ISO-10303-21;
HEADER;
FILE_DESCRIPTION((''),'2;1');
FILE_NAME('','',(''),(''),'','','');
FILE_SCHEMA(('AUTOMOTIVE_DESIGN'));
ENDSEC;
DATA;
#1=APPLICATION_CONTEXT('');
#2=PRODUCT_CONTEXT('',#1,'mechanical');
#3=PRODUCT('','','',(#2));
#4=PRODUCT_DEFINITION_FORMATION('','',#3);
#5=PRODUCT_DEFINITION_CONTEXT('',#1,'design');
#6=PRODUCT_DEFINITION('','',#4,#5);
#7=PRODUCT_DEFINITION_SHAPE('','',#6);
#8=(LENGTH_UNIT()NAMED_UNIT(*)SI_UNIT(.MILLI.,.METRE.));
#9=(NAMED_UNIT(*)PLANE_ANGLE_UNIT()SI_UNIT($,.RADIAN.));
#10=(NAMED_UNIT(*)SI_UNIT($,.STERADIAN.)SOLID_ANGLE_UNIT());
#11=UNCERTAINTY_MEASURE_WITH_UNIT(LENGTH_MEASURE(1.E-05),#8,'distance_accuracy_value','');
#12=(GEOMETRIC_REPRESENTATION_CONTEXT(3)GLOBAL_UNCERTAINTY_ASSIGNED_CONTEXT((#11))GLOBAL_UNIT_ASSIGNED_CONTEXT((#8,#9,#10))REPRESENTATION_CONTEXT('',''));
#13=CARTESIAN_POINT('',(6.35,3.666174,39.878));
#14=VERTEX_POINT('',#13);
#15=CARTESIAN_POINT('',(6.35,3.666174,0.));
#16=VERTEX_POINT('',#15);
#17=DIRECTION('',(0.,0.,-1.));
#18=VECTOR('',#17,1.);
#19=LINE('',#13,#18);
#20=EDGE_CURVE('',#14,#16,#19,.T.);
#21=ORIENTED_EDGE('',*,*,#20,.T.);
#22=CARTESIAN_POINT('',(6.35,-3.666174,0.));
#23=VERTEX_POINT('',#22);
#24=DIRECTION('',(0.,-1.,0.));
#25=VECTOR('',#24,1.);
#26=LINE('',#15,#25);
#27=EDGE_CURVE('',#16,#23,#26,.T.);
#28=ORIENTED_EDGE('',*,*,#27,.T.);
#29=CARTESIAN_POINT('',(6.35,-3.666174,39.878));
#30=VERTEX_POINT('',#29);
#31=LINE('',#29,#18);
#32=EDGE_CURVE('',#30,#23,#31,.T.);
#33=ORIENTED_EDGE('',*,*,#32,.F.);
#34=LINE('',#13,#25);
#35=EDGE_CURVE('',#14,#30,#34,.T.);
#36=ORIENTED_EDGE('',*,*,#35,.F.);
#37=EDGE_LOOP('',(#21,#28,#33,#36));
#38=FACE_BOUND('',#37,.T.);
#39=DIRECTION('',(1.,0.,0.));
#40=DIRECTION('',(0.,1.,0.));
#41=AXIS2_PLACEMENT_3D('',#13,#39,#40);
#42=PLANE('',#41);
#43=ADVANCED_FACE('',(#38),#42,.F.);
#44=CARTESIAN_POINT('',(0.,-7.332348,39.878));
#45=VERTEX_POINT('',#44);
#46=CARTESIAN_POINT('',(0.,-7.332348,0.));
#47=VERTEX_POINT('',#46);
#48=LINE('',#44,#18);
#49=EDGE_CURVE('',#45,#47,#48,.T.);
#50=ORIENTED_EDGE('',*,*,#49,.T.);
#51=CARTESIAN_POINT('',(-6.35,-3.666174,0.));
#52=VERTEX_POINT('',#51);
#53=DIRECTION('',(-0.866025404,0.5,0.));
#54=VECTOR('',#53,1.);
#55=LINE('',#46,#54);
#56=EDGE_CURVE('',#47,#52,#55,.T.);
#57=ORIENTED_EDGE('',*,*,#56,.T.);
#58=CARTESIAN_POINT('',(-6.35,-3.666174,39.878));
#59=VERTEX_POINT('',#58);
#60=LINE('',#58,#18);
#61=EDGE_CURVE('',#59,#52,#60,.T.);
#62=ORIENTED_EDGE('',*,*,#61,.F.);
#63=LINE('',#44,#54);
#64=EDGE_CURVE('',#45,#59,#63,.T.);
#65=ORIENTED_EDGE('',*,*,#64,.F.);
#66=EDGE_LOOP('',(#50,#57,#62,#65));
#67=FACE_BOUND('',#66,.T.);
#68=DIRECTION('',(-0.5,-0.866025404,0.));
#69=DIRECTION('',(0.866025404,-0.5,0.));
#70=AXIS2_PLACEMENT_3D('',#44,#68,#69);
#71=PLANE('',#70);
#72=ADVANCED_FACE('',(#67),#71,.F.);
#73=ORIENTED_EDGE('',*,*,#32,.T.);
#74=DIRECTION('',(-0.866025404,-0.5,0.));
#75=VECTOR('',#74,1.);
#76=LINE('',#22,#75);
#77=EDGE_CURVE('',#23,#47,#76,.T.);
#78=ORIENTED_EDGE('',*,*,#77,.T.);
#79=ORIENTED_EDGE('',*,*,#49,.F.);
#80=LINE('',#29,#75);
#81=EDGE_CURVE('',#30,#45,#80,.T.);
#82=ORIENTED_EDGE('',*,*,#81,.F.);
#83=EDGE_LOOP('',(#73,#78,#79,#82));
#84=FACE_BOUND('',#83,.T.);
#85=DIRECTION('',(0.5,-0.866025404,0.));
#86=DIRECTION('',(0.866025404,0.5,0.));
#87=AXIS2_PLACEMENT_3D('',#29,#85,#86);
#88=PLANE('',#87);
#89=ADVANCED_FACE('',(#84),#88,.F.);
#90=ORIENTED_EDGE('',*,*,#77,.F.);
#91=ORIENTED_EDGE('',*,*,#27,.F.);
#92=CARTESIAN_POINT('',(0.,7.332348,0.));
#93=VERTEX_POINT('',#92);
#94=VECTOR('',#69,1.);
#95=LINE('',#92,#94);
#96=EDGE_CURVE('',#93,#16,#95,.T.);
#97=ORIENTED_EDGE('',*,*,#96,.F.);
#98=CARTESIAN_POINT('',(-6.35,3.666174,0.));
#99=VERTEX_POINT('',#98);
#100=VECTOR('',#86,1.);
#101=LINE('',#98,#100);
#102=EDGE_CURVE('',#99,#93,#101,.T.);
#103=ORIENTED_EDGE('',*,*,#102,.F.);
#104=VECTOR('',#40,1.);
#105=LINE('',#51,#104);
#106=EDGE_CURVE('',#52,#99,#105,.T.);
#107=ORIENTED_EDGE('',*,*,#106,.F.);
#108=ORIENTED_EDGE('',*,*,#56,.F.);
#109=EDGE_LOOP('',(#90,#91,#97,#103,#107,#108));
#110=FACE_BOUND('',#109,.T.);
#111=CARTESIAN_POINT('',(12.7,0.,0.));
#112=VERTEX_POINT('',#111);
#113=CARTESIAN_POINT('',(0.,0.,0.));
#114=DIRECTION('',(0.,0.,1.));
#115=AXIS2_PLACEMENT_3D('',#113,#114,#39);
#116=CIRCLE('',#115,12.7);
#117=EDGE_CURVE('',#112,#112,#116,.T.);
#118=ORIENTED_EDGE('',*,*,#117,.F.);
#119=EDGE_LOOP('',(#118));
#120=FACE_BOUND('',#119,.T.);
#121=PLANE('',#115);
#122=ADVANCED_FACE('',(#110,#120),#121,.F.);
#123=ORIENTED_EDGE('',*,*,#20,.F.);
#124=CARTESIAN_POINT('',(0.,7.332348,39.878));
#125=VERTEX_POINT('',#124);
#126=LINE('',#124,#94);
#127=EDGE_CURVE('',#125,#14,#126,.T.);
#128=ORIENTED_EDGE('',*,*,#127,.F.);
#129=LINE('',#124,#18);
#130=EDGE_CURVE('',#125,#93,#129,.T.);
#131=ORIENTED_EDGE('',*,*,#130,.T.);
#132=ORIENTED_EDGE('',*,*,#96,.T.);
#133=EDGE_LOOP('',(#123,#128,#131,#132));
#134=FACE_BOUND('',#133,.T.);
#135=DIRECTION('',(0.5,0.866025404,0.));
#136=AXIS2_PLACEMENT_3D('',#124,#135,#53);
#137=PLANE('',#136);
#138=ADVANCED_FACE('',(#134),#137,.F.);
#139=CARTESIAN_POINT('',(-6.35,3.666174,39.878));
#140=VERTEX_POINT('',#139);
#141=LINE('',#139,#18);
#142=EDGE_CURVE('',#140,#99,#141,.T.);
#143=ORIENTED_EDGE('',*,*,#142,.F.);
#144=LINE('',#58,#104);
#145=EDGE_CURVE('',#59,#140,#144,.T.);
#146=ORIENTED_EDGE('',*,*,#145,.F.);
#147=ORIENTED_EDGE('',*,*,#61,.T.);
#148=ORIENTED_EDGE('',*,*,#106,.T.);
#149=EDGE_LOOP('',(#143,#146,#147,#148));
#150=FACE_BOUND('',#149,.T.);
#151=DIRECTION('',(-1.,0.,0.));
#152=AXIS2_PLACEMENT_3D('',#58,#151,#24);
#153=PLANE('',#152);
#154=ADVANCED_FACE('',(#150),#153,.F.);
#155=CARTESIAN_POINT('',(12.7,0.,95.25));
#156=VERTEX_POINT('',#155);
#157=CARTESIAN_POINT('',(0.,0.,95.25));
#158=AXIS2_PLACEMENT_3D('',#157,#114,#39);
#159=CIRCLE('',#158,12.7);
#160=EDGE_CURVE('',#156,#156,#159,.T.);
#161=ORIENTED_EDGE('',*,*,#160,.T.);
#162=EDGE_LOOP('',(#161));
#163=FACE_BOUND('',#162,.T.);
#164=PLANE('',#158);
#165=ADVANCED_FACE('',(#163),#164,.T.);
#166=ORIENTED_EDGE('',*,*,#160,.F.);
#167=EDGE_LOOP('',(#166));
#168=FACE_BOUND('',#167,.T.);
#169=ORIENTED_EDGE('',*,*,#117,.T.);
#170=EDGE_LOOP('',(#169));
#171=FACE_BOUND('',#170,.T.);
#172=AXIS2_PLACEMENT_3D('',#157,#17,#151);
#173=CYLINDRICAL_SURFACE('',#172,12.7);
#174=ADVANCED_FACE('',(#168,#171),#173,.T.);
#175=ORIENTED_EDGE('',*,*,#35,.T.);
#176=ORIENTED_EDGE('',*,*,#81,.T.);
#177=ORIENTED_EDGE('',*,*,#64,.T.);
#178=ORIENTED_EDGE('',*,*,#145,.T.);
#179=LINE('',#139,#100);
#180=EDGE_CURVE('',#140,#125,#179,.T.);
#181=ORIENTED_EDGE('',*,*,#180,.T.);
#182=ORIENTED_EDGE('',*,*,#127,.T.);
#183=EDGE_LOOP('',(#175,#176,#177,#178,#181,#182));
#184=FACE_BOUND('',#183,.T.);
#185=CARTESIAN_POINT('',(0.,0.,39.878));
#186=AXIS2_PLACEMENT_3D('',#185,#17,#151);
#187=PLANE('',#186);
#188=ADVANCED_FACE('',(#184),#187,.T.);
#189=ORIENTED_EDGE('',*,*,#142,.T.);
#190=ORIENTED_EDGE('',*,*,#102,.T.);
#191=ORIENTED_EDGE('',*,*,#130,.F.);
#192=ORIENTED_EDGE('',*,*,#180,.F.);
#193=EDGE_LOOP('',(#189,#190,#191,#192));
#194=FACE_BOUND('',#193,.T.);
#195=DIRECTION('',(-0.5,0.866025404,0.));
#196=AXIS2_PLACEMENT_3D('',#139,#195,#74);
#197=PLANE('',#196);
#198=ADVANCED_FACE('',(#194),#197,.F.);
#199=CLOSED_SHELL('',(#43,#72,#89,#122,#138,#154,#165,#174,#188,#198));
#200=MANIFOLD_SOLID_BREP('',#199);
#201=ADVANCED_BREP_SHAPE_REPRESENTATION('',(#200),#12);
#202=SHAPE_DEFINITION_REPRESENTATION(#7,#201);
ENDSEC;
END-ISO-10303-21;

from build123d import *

# Parameters (mm, degrees)
SKETCH1_R           = 12.7
BOSS_EXTRUDE1_DEPTH = 95.25
CUT_EXTRUDE1_DEPTH  = 39.878


with BuildPart() as part:
    # Sketch1 → Boss-Extrude1 (new body)
    with BuildSketch(Plane.XY):
        Circle(SKETCH1_R)
    extrude(amount=BOSS_EXTRUDE1_DEPTH)

    # Sketch2 → Cut-Extrude1 (cut)
    with BuildSketch(Plane(origin=(0, 0, 0), x_dir=(-1, 0, 0), z_dir=(0, 0, -1))):
        Polygon((6.35, 3.666174209), (0, 7.332348419), (-6.35, 3.666174209), (-6.35, -3.666174209), (0, -7.332348419), (6.35, -3.666174209), align=None)
    extrude(amount=-CUT_EXTRUDE1_DEPTH, mode=Mode.SUBTRACT)


solid = part.part
